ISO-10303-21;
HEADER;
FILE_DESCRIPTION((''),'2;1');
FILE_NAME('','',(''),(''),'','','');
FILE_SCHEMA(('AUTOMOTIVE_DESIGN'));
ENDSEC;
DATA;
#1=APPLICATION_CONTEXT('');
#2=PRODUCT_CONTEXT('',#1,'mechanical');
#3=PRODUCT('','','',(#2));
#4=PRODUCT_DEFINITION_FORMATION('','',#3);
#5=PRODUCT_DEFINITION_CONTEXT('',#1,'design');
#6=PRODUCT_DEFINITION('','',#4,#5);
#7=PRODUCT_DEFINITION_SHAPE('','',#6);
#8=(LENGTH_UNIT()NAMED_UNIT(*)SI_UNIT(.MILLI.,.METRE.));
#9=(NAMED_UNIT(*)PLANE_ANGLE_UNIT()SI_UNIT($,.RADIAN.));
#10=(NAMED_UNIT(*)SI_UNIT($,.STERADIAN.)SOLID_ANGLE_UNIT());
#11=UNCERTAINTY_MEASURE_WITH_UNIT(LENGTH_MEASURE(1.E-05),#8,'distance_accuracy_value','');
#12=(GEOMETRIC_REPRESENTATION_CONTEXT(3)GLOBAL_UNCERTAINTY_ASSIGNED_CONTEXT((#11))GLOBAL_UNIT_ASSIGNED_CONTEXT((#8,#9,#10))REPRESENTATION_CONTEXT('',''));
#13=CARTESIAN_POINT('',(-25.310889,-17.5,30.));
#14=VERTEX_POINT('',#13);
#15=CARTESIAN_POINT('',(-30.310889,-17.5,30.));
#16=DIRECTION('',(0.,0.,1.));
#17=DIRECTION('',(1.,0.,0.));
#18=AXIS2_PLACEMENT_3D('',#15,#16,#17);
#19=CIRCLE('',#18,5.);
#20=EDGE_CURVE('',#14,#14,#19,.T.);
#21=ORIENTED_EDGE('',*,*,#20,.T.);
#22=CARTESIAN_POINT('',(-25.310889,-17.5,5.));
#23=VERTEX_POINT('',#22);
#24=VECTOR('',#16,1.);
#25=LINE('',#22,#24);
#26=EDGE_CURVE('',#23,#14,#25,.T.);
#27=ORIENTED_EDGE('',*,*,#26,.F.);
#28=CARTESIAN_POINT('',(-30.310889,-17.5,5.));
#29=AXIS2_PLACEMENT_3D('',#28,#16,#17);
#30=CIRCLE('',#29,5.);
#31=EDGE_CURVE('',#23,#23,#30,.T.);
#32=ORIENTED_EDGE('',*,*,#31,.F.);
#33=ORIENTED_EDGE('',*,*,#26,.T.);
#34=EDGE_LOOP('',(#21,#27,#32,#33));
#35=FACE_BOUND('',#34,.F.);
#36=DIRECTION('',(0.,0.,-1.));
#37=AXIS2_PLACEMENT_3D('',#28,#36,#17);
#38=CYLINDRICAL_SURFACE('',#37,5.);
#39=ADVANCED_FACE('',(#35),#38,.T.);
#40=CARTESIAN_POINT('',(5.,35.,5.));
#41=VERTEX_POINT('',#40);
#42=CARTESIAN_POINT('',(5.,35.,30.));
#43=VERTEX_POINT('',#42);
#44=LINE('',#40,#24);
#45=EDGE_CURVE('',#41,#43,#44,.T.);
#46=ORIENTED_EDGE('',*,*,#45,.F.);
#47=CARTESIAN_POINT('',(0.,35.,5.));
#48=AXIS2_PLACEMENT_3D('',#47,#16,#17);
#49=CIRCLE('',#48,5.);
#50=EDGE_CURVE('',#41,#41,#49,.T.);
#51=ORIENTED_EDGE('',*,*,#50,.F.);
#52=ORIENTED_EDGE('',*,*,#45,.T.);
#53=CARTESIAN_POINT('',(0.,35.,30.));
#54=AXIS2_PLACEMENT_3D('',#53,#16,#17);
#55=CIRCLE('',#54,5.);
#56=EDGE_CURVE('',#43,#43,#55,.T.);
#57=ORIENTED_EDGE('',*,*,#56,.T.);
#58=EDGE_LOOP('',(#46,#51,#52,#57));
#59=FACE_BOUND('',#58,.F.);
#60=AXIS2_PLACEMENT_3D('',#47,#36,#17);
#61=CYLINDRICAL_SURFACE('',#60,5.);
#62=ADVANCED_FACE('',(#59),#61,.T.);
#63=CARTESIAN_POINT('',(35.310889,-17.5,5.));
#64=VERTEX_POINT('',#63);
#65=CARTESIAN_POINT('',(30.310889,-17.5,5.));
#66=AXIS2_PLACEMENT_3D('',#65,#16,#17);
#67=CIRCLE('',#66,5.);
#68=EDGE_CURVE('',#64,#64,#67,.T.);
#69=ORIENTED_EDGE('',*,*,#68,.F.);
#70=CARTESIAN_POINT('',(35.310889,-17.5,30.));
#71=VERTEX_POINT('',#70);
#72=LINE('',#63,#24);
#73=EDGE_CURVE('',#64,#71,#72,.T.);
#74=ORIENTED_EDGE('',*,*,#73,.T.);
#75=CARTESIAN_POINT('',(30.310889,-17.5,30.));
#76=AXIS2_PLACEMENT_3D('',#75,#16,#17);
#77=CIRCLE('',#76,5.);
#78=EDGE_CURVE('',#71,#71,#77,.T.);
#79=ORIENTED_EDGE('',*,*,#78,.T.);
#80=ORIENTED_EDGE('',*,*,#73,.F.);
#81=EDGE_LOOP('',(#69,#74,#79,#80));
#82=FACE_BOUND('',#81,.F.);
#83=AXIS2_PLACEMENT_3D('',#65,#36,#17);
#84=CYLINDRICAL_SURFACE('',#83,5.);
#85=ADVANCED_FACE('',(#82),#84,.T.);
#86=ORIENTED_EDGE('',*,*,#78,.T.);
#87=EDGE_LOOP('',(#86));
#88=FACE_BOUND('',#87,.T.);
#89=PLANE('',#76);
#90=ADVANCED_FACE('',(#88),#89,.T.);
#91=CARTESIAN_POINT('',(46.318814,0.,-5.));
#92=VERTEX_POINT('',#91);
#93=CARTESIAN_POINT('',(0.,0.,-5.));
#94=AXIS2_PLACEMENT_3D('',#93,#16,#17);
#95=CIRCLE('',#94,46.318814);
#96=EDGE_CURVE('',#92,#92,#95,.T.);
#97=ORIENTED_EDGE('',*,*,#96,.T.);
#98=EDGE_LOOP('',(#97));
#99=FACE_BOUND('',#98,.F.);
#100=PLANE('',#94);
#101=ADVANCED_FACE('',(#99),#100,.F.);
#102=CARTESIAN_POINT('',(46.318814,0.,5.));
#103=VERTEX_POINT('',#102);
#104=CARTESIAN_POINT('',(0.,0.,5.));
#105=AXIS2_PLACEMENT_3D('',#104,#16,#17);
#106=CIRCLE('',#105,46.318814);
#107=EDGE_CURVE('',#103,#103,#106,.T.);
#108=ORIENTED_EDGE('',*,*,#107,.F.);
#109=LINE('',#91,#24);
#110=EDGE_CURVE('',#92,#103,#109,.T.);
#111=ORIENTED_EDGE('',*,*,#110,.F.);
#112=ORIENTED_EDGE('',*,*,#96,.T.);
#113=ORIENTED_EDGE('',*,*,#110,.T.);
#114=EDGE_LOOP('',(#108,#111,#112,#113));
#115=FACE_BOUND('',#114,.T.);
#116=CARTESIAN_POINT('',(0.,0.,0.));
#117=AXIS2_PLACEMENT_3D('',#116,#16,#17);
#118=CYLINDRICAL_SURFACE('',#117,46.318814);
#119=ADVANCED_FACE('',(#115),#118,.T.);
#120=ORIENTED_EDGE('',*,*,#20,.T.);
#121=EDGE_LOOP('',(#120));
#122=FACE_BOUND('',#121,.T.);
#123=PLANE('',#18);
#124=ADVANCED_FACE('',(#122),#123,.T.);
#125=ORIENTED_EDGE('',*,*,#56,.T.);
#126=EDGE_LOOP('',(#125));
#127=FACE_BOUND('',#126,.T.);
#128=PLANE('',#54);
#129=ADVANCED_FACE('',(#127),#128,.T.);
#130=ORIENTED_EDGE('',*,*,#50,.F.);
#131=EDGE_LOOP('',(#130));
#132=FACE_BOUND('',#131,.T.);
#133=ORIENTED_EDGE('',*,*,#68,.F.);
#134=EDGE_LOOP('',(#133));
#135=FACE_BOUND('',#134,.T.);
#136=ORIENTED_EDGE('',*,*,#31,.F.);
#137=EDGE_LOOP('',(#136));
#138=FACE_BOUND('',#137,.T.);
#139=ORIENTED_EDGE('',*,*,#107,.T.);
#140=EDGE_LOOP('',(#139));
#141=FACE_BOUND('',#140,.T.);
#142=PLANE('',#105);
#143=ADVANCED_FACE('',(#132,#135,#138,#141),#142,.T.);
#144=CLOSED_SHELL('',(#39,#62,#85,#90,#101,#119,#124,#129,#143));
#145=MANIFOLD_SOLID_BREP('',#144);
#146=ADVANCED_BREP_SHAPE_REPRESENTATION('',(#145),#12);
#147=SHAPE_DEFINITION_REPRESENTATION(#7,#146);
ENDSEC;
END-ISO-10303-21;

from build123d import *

# Parameters (mm, degrees)
F0_R     = 46.318814
F1_DEPTH = 5
F2_R     = 5
F3_DEPTH = 25


with BuildPart() as f1:
    # F0 (on Top) → F1 (new body, symmetric)
    with BuildSketch(Plane.XY):
        Circle(F0_R)
    extrude(amount=F1_DEPTH, both=True)

    # F2 (on face) → F3 (join)
    with BuildSketch(Plane.XY.offset(5)):
        with Locations((0, 35)):
            Circle(F2_R)
        with Locations((-30.310889, -17.5)):
            Circle(F2_R)
        with Locations((30.310889, -17.5)):
            Circle(F2_R)
    extrude(amount=F3_DEPTH)


solid = f1.part
